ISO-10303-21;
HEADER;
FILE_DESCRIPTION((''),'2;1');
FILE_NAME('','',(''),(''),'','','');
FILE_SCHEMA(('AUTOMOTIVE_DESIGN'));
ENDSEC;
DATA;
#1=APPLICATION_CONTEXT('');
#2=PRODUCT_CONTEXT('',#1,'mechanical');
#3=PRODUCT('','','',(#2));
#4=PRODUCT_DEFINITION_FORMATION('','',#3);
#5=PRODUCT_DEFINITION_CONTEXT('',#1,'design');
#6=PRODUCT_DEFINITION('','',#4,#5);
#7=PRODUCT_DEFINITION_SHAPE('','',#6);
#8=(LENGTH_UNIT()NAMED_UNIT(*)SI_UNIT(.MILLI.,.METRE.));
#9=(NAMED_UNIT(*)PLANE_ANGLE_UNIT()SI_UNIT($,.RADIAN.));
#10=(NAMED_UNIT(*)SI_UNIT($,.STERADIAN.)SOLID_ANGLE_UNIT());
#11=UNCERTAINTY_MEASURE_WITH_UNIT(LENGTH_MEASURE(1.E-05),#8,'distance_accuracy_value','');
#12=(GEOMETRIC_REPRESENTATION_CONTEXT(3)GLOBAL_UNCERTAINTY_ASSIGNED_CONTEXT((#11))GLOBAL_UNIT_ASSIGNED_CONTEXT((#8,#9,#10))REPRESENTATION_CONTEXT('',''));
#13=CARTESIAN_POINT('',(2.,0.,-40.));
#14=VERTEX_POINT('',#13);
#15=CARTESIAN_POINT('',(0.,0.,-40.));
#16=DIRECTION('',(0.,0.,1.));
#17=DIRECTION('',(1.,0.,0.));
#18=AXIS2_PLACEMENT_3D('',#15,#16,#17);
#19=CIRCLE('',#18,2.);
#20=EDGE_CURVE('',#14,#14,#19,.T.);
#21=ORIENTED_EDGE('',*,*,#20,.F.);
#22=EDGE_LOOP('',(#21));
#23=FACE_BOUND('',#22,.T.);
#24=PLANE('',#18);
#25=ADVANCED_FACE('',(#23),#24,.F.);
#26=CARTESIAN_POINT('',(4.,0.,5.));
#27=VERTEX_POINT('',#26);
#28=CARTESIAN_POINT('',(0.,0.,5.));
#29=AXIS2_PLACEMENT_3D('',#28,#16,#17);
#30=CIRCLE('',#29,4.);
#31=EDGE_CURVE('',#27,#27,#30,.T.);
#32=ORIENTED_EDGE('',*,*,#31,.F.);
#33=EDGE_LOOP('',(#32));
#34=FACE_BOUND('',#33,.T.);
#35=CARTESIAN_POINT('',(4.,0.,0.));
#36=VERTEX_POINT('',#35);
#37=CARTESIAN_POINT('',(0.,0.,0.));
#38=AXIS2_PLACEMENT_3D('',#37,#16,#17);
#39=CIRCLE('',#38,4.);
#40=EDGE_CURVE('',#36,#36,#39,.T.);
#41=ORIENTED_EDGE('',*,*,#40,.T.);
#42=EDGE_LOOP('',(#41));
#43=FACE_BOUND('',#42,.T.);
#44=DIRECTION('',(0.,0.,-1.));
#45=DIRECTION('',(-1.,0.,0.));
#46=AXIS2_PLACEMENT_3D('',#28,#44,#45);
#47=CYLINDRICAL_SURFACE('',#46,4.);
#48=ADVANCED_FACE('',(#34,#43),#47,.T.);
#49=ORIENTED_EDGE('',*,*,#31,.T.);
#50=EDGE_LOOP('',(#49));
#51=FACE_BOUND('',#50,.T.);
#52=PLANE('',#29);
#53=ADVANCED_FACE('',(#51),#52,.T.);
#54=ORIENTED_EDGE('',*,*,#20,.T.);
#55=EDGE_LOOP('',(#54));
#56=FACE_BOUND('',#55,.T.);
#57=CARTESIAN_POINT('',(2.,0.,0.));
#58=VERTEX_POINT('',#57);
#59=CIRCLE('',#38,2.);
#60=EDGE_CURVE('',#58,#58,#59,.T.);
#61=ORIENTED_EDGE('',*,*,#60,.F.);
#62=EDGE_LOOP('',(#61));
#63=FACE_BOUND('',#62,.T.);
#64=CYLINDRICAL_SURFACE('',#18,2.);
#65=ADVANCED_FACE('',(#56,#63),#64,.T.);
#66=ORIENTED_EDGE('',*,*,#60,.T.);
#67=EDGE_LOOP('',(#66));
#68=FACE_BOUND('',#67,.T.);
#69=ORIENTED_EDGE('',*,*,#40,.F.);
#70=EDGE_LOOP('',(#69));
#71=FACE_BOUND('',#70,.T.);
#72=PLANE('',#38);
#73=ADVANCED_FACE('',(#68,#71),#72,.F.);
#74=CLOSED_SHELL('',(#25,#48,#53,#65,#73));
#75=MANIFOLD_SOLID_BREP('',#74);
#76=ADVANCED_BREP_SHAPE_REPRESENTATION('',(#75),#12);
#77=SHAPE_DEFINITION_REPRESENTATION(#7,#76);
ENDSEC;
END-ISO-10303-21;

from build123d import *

# Parameters (mm, degrees)
ESQUISSE1_R        = 4
BOSS_EXTRU_1_DEPTH = 5
ESQUISSE2_R        = 2
BOSS_EXTRU_2_DEPTH = 40


with BuildPart() as part:
    # Esquisse1 → Boss.-Extru.1 (new body)
    with BuildSketch(Plane.XY):
        Circle(ESQUISSE1_R)
    extrude(amount=BOSS_EXTRU_1_DEPTH)

    # Esquisse2 → Boss.-Extru.2 (add)
    with BuildSketch(Plane.XY):
        Circle(ESQUISSE2_R)
    extrude(amount=-BOSS_EXTRU_2_DEPTH)


solid = part.part
